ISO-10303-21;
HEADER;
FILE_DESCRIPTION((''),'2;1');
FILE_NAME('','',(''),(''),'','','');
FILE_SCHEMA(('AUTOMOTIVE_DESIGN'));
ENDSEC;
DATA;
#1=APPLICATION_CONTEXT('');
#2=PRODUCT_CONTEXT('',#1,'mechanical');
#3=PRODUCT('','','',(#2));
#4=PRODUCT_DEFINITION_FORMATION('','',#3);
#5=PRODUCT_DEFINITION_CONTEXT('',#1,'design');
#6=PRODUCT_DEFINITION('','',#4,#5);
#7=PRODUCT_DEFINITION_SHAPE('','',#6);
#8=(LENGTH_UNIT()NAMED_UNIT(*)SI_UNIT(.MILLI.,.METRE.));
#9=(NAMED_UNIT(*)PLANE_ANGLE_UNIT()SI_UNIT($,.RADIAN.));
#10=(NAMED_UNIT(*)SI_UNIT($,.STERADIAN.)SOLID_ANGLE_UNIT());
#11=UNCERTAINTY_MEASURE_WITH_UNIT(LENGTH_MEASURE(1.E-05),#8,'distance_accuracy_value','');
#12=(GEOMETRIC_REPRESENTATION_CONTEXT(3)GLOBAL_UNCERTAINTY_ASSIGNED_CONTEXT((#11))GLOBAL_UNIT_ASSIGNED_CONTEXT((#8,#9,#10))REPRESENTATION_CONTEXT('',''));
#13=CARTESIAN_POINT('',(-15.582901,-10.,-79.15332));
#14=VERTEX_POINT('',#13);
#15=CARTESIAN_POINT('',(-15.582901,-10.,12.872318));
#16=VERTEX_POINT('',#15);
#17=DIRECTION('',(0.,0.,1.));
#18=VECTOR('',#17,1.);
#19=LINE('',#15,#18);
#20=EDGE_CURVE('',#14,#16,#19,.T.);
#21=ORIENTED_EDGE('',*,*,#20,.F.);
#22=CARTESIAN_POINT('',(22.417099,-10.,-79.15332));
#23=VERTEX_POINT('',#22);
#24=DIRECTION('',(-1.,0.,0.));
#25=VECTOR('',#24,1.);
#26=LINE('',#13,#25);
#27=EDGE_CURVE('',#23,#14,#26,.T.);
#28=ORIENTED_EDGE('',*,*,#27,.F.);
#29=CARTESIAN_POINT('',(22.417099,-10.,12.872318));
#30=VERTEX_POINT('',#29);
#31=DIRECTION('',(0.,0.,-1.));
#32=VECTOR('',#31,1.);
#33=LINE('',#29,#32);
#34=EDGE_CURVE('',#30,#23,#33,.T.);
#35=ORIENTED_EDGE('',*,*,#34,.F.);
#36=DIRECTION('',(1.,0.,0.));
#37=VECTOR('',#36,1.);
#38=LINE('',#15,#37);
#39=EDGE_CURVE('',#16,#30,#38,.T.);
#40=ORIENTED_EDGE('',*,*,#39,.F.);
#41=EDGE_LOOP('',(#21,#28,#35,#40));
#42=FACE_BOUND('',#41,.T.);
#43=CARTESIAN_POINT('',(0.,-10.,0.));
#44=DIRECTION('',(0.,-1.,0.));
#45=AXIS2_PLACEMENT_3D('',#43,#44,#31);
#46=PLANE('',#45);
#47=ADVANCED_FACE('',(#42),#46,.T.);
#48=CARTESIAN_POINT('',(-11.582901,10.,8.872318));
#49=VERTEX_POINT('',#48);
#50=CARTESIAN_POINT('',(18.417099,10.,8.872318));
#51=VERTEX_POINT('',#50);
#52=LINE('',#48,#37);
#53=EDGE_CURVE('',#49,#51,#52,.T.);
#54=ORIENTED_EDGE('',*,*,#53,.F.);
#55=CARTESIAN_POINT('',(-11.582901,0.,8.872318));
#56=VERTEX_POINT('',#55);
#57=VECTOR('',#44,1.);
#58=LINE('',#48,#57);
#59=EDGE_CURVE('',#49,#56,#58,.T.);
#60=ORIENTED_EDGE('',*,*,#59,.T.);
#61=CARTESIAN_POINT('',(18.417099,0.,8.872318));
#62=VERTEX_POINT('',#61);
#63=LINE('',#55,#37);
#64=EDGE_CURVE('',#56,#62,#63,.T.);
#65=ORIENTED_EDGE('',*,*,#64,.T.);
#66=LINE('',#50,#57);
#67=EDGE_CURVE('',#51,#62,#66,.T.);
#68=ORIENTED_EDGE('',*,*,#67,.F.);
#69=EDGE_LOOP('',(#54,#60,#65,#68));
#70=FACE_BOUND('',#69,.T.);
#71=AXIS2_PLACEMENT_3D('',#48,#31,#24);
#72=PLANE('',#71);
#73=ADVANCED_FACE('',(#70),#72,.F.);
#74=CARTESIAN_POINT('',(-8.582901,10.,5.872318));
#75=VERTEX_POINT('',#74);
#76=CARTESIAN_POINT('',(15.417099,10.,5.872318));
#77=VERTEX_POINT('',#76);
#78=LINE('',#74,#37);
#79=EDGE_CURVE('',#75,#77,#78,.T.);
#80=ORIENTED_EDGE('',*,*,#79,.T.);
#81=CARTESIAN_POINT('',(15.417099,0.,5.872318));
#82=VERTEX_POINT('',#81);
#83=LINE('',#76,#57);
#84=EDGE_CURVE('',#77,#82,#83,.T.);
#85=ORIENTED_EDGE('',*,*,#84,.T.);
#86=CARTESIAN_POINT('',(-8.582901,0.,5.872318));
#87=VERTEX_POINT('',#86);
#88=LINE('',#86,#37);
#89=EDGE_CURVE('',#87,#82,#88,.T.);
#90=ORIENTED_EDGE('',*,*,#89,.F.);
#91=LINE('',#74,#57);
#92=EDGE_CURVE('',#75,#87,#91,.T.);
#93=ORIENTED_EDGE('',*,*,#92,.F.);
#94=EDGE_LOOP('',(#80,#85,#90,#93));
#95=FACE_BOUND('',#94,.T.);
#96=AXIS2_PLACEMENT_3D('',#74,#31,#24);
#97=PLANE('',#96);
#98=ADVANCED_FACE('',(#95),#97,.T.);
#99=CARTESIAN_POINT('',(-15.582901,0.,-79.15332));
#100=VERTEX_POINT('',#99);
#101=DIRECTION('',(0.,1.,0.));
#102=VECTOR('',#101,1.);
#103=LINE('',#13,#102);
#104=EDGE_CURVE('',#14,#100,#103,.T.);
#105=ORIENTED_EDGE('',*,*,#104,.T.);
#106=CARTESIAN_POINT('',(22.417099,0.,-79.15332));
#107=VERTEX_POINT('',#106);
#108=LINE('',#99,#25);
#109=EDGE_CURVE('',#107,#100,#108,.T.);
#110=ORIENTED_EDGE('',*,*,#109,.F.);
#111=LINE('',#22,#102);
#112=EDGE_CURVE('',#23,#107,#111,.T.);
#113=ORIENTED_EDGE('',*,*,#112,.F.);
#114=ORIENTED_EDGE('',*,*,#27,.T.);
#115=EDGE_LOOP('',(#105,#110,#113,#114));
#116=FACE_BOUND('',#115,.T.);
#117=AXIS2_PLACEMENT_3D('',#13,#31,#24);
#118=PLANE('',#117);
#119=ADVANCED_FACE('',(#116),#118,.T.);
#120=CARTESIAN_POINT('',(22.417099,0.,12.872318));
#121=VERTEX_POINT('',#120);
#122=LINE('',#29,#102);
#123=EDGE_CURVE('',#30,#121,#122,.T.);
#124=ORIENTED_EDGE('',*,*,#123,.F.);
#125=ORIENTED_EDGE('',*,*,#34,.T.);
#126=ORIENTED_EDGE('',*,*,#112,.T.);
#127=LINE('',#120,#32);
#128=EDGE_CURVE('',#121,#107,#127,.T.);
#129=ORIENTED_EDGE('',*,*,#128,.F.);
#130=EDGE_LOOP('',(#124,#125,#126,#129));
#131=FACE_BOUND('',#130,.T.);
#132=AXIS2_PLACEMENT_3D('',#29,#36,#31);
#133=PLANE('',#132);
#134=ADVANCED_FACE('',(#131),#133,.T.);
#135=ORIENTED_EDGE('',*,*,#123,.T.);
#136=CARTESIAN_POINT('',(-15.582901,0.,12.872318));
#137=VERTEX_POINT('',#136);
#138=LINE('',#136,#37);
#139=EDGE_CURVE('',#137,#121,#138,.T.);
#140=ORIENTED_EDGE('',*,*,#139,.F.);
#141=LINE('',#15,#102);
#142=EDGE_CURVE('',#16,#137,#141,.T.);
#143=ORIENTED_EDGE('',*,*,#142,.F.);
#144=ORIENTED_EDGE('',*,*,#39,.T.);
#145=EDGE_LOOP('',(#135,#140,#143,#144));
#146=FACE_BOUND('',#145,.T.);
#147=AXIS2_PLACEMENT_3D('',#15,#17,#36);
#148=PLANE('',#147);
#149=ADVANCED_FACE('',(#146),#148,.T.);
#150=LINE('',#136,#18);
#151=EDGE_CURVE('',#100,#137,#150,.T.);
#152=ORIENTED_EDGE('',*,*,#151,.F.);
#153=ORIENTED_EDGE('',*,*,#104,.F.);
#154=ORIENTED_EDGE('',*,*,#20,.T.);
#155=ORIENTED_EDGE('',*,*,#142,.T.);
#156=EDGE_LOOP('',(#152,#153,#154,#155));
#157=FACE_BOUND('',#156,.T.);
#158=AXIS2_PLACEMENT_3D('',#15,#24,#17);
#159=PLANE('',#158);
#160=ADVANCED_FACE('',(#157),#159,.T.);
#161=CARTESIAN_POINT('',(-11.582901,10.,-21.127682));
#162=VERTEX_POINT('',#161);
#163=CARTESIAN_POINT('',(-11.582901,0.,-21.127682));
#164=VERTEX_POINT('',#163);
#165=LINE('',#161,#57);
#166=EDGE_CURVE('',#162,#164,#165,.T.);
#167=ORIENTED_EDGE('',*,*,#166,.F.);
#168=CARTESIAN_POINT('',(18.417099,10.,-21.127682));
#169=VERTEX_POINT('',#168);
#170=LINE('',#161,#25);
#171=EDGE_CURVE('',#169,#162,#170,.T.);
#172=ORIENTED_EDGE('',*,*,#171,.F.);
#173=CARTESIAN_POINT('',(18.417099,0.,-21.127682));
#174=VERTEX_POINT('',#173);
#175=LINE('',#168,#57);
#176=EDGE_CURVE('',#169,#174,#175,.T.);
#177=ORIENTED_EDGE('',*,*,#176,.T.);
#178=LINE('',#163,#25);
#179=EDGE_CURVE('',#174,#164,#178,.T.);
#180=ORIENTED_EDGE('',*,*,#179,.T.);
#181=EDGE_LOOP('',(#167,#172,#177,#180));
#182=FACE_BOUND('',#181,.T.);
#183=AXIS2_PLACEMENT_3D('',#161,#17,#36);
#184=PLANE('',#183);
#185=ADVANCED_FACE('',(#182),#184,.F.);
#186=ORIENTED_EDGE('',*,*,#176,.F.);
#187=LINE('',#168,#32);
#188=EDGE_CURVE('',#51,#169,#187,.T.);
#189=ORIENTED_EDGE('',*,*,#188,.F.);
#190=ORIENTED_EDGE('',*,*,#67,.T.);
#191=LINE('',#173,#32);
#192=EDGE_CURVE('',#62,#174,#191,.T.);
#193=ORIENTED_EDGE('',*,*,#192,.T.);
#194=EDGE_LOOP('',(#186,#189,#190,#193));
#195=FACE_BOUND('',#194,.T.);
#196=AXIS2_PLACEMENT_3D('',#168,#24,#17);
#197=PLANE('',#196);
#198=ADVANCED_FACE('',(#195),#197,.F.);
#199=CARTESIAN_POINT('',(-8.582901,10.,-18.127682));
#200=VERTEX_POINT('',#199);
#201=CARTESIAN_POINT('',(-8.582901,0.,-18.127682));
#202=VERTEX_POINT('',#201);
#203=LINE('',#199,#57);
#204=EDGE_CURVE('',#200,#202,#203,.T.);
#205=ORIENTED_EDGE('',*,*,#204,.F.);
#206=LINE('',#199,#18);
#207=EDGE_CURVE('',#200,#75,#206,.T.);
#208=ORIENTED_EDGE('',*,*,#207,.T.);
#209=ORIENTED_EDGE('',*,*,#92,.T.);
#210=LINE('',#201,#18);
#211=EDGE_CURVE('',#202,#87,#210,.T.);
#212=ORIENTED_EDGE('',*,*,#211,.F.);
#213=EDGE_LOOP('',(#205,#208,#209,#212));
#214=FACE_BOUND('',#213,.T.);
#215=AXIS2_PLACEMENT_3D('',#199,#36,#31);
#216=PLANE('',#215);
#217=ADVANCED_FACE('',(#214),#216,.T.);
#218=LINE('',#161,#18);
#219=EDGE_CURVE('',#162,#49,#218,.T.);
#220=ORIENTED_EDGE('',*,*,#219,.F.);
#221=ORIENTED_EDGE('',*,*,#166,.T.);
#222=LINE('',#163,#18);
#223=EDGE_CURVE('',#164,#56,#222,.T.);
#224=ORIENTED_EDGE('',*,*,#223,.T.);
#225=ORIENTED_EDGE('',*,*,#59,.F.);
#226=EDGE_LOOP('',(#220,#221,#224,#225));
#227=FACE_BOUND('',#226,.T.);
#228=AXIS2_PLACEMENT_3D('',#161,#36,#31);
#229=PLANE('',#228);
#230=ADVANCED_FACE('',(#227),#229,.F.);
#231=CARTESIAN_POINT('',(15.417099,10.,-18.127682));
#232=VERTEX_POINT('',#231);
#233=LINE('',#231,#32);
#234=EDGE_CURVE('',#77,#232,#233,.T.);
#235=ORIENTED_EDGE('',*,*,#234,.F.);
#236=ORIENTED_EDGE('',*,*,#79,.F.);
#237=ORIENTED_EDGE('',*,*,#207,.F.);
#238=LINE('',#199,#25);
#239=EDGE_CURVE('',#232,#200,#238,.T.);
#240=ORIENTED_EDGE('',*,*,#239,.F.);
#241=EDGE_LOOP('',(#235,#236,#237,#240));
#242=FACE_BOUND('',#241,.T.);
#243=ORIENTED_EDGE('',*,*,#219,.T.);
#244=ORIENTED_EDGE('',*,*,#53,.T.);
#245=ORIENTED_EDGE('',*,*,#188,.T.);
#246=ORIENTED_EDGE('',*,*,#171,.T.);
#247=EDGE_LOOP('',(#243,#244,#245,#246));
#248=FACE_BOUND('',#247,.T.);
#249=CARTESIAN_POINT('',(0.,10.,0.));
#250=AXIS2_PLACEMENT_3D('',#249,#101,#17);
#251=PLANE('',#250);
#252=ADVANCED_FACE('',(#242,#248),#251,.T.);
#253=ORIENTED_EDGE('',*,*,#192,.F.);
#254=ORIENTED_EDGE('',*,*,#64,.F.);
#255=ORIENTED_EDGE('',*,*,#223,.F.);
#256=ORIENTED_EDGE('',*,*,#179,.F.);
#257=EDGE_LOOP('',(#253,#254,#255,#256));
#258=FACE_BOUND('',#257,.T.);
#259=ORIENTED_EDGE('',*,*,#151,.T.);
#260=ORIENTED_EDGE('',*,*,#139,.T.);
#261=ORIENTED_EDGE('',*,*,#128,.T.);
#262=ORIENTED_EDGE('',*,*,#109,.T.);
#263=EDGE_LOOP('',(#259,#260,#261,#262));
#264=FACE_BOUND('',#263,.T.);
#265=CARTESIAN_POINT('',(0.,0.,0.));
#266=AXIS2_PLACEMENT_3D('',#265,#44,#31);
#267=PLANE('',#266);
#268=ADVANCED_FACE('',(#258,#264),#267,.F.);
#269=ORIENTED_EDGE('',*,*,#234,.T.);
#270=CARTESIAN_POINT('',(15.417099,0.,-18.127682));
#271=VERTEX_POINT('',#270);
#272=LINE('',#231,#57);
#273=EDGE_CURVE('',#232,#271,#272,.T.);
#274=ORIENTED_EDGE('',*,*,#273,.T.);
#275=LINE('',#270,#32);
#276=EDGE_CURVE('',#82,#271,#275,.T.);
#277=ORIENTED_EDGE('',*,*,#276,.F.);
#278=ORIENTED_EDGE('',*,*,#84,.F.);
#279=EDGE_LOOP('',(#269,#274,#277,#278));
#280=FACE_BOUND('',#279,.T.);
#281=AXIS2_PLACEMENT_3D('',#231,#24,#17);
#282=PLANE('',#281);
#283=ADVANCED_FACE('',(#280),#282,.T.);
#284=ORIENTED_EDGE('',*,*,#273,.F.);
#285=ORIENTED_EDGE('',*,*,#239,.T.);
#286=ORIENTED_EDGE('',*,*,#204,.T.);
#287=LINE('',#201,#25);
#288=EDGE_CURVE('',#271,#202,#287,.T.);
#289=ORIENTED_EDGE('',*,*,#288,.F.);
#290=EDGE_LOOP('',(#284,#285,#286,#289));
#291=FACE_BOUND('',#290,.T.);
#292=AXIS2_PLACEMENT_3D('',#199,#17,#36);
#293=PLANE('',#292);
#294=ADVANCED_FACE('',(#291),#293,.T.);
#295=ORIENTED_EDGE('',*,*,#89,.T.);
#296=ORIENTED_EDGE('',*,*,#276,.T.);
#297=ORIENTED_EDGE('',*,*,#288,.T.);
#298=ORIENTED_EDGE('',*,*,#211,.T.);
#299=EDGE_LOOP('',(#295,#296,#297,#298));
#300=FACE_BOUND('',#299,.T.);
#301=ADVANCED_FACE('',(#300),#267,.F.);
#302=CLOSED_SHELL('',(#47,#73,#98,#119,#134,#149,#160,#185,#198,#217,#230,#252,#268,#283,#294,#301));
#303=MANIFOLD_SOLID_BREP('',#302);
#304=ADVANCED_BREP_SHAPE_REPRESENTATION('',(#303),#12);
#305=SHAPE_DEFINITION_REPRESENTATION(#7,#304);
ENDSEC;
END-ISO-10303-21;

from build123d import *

# Parameters (mm, degrees)
SKETCH5_W           = 30
SKETCH5_H           = 30
SKETCH5_W_2         = 24
SKETCH5_H_2         = 24
BOSS_EXTRUDE4_DEPTH = 10
SKETCH6_W           = 38
SKETCH6_H           = 92.02563866
BOSS_EXTRUDE5_DEPTH = 10


with BuildPart() as part:
    # Sketch5 → Boss-Extrude4 (new body)
    with BuildSketch(Plane(origin=(0, 0, 0), x_dir=(1, 0, 0), z_dir=(0, 1, 0))):
        with Locations((3.417098749, 6.127681786)):
            Rectangle(SKETCH5_W, SKETCH5_H)
        with Locations((3.417098749, 6.127681786)):
            Rectangle(SKETCH5_W_2, SKETCH5_H_2, mode=Mode.SUBTRACT)
    extrude(amount=BOSS_EXTRUDE4_DEPTH)

    # Sketch6 → Boss-Extrude5 (add)
    with BuildSketch(Plane(origin=(0, 0, 0), x_dir=(1, 0, 0), z_dir=(0, 1, 0))):
        with Locations((3.417098749, 33.140501116)):
            Rectangle(SKETCH6_W, SKETCH6_H)
    extrude(amount=-BOSS_EXTRUDE5_DEPTH)


solid = part.part
